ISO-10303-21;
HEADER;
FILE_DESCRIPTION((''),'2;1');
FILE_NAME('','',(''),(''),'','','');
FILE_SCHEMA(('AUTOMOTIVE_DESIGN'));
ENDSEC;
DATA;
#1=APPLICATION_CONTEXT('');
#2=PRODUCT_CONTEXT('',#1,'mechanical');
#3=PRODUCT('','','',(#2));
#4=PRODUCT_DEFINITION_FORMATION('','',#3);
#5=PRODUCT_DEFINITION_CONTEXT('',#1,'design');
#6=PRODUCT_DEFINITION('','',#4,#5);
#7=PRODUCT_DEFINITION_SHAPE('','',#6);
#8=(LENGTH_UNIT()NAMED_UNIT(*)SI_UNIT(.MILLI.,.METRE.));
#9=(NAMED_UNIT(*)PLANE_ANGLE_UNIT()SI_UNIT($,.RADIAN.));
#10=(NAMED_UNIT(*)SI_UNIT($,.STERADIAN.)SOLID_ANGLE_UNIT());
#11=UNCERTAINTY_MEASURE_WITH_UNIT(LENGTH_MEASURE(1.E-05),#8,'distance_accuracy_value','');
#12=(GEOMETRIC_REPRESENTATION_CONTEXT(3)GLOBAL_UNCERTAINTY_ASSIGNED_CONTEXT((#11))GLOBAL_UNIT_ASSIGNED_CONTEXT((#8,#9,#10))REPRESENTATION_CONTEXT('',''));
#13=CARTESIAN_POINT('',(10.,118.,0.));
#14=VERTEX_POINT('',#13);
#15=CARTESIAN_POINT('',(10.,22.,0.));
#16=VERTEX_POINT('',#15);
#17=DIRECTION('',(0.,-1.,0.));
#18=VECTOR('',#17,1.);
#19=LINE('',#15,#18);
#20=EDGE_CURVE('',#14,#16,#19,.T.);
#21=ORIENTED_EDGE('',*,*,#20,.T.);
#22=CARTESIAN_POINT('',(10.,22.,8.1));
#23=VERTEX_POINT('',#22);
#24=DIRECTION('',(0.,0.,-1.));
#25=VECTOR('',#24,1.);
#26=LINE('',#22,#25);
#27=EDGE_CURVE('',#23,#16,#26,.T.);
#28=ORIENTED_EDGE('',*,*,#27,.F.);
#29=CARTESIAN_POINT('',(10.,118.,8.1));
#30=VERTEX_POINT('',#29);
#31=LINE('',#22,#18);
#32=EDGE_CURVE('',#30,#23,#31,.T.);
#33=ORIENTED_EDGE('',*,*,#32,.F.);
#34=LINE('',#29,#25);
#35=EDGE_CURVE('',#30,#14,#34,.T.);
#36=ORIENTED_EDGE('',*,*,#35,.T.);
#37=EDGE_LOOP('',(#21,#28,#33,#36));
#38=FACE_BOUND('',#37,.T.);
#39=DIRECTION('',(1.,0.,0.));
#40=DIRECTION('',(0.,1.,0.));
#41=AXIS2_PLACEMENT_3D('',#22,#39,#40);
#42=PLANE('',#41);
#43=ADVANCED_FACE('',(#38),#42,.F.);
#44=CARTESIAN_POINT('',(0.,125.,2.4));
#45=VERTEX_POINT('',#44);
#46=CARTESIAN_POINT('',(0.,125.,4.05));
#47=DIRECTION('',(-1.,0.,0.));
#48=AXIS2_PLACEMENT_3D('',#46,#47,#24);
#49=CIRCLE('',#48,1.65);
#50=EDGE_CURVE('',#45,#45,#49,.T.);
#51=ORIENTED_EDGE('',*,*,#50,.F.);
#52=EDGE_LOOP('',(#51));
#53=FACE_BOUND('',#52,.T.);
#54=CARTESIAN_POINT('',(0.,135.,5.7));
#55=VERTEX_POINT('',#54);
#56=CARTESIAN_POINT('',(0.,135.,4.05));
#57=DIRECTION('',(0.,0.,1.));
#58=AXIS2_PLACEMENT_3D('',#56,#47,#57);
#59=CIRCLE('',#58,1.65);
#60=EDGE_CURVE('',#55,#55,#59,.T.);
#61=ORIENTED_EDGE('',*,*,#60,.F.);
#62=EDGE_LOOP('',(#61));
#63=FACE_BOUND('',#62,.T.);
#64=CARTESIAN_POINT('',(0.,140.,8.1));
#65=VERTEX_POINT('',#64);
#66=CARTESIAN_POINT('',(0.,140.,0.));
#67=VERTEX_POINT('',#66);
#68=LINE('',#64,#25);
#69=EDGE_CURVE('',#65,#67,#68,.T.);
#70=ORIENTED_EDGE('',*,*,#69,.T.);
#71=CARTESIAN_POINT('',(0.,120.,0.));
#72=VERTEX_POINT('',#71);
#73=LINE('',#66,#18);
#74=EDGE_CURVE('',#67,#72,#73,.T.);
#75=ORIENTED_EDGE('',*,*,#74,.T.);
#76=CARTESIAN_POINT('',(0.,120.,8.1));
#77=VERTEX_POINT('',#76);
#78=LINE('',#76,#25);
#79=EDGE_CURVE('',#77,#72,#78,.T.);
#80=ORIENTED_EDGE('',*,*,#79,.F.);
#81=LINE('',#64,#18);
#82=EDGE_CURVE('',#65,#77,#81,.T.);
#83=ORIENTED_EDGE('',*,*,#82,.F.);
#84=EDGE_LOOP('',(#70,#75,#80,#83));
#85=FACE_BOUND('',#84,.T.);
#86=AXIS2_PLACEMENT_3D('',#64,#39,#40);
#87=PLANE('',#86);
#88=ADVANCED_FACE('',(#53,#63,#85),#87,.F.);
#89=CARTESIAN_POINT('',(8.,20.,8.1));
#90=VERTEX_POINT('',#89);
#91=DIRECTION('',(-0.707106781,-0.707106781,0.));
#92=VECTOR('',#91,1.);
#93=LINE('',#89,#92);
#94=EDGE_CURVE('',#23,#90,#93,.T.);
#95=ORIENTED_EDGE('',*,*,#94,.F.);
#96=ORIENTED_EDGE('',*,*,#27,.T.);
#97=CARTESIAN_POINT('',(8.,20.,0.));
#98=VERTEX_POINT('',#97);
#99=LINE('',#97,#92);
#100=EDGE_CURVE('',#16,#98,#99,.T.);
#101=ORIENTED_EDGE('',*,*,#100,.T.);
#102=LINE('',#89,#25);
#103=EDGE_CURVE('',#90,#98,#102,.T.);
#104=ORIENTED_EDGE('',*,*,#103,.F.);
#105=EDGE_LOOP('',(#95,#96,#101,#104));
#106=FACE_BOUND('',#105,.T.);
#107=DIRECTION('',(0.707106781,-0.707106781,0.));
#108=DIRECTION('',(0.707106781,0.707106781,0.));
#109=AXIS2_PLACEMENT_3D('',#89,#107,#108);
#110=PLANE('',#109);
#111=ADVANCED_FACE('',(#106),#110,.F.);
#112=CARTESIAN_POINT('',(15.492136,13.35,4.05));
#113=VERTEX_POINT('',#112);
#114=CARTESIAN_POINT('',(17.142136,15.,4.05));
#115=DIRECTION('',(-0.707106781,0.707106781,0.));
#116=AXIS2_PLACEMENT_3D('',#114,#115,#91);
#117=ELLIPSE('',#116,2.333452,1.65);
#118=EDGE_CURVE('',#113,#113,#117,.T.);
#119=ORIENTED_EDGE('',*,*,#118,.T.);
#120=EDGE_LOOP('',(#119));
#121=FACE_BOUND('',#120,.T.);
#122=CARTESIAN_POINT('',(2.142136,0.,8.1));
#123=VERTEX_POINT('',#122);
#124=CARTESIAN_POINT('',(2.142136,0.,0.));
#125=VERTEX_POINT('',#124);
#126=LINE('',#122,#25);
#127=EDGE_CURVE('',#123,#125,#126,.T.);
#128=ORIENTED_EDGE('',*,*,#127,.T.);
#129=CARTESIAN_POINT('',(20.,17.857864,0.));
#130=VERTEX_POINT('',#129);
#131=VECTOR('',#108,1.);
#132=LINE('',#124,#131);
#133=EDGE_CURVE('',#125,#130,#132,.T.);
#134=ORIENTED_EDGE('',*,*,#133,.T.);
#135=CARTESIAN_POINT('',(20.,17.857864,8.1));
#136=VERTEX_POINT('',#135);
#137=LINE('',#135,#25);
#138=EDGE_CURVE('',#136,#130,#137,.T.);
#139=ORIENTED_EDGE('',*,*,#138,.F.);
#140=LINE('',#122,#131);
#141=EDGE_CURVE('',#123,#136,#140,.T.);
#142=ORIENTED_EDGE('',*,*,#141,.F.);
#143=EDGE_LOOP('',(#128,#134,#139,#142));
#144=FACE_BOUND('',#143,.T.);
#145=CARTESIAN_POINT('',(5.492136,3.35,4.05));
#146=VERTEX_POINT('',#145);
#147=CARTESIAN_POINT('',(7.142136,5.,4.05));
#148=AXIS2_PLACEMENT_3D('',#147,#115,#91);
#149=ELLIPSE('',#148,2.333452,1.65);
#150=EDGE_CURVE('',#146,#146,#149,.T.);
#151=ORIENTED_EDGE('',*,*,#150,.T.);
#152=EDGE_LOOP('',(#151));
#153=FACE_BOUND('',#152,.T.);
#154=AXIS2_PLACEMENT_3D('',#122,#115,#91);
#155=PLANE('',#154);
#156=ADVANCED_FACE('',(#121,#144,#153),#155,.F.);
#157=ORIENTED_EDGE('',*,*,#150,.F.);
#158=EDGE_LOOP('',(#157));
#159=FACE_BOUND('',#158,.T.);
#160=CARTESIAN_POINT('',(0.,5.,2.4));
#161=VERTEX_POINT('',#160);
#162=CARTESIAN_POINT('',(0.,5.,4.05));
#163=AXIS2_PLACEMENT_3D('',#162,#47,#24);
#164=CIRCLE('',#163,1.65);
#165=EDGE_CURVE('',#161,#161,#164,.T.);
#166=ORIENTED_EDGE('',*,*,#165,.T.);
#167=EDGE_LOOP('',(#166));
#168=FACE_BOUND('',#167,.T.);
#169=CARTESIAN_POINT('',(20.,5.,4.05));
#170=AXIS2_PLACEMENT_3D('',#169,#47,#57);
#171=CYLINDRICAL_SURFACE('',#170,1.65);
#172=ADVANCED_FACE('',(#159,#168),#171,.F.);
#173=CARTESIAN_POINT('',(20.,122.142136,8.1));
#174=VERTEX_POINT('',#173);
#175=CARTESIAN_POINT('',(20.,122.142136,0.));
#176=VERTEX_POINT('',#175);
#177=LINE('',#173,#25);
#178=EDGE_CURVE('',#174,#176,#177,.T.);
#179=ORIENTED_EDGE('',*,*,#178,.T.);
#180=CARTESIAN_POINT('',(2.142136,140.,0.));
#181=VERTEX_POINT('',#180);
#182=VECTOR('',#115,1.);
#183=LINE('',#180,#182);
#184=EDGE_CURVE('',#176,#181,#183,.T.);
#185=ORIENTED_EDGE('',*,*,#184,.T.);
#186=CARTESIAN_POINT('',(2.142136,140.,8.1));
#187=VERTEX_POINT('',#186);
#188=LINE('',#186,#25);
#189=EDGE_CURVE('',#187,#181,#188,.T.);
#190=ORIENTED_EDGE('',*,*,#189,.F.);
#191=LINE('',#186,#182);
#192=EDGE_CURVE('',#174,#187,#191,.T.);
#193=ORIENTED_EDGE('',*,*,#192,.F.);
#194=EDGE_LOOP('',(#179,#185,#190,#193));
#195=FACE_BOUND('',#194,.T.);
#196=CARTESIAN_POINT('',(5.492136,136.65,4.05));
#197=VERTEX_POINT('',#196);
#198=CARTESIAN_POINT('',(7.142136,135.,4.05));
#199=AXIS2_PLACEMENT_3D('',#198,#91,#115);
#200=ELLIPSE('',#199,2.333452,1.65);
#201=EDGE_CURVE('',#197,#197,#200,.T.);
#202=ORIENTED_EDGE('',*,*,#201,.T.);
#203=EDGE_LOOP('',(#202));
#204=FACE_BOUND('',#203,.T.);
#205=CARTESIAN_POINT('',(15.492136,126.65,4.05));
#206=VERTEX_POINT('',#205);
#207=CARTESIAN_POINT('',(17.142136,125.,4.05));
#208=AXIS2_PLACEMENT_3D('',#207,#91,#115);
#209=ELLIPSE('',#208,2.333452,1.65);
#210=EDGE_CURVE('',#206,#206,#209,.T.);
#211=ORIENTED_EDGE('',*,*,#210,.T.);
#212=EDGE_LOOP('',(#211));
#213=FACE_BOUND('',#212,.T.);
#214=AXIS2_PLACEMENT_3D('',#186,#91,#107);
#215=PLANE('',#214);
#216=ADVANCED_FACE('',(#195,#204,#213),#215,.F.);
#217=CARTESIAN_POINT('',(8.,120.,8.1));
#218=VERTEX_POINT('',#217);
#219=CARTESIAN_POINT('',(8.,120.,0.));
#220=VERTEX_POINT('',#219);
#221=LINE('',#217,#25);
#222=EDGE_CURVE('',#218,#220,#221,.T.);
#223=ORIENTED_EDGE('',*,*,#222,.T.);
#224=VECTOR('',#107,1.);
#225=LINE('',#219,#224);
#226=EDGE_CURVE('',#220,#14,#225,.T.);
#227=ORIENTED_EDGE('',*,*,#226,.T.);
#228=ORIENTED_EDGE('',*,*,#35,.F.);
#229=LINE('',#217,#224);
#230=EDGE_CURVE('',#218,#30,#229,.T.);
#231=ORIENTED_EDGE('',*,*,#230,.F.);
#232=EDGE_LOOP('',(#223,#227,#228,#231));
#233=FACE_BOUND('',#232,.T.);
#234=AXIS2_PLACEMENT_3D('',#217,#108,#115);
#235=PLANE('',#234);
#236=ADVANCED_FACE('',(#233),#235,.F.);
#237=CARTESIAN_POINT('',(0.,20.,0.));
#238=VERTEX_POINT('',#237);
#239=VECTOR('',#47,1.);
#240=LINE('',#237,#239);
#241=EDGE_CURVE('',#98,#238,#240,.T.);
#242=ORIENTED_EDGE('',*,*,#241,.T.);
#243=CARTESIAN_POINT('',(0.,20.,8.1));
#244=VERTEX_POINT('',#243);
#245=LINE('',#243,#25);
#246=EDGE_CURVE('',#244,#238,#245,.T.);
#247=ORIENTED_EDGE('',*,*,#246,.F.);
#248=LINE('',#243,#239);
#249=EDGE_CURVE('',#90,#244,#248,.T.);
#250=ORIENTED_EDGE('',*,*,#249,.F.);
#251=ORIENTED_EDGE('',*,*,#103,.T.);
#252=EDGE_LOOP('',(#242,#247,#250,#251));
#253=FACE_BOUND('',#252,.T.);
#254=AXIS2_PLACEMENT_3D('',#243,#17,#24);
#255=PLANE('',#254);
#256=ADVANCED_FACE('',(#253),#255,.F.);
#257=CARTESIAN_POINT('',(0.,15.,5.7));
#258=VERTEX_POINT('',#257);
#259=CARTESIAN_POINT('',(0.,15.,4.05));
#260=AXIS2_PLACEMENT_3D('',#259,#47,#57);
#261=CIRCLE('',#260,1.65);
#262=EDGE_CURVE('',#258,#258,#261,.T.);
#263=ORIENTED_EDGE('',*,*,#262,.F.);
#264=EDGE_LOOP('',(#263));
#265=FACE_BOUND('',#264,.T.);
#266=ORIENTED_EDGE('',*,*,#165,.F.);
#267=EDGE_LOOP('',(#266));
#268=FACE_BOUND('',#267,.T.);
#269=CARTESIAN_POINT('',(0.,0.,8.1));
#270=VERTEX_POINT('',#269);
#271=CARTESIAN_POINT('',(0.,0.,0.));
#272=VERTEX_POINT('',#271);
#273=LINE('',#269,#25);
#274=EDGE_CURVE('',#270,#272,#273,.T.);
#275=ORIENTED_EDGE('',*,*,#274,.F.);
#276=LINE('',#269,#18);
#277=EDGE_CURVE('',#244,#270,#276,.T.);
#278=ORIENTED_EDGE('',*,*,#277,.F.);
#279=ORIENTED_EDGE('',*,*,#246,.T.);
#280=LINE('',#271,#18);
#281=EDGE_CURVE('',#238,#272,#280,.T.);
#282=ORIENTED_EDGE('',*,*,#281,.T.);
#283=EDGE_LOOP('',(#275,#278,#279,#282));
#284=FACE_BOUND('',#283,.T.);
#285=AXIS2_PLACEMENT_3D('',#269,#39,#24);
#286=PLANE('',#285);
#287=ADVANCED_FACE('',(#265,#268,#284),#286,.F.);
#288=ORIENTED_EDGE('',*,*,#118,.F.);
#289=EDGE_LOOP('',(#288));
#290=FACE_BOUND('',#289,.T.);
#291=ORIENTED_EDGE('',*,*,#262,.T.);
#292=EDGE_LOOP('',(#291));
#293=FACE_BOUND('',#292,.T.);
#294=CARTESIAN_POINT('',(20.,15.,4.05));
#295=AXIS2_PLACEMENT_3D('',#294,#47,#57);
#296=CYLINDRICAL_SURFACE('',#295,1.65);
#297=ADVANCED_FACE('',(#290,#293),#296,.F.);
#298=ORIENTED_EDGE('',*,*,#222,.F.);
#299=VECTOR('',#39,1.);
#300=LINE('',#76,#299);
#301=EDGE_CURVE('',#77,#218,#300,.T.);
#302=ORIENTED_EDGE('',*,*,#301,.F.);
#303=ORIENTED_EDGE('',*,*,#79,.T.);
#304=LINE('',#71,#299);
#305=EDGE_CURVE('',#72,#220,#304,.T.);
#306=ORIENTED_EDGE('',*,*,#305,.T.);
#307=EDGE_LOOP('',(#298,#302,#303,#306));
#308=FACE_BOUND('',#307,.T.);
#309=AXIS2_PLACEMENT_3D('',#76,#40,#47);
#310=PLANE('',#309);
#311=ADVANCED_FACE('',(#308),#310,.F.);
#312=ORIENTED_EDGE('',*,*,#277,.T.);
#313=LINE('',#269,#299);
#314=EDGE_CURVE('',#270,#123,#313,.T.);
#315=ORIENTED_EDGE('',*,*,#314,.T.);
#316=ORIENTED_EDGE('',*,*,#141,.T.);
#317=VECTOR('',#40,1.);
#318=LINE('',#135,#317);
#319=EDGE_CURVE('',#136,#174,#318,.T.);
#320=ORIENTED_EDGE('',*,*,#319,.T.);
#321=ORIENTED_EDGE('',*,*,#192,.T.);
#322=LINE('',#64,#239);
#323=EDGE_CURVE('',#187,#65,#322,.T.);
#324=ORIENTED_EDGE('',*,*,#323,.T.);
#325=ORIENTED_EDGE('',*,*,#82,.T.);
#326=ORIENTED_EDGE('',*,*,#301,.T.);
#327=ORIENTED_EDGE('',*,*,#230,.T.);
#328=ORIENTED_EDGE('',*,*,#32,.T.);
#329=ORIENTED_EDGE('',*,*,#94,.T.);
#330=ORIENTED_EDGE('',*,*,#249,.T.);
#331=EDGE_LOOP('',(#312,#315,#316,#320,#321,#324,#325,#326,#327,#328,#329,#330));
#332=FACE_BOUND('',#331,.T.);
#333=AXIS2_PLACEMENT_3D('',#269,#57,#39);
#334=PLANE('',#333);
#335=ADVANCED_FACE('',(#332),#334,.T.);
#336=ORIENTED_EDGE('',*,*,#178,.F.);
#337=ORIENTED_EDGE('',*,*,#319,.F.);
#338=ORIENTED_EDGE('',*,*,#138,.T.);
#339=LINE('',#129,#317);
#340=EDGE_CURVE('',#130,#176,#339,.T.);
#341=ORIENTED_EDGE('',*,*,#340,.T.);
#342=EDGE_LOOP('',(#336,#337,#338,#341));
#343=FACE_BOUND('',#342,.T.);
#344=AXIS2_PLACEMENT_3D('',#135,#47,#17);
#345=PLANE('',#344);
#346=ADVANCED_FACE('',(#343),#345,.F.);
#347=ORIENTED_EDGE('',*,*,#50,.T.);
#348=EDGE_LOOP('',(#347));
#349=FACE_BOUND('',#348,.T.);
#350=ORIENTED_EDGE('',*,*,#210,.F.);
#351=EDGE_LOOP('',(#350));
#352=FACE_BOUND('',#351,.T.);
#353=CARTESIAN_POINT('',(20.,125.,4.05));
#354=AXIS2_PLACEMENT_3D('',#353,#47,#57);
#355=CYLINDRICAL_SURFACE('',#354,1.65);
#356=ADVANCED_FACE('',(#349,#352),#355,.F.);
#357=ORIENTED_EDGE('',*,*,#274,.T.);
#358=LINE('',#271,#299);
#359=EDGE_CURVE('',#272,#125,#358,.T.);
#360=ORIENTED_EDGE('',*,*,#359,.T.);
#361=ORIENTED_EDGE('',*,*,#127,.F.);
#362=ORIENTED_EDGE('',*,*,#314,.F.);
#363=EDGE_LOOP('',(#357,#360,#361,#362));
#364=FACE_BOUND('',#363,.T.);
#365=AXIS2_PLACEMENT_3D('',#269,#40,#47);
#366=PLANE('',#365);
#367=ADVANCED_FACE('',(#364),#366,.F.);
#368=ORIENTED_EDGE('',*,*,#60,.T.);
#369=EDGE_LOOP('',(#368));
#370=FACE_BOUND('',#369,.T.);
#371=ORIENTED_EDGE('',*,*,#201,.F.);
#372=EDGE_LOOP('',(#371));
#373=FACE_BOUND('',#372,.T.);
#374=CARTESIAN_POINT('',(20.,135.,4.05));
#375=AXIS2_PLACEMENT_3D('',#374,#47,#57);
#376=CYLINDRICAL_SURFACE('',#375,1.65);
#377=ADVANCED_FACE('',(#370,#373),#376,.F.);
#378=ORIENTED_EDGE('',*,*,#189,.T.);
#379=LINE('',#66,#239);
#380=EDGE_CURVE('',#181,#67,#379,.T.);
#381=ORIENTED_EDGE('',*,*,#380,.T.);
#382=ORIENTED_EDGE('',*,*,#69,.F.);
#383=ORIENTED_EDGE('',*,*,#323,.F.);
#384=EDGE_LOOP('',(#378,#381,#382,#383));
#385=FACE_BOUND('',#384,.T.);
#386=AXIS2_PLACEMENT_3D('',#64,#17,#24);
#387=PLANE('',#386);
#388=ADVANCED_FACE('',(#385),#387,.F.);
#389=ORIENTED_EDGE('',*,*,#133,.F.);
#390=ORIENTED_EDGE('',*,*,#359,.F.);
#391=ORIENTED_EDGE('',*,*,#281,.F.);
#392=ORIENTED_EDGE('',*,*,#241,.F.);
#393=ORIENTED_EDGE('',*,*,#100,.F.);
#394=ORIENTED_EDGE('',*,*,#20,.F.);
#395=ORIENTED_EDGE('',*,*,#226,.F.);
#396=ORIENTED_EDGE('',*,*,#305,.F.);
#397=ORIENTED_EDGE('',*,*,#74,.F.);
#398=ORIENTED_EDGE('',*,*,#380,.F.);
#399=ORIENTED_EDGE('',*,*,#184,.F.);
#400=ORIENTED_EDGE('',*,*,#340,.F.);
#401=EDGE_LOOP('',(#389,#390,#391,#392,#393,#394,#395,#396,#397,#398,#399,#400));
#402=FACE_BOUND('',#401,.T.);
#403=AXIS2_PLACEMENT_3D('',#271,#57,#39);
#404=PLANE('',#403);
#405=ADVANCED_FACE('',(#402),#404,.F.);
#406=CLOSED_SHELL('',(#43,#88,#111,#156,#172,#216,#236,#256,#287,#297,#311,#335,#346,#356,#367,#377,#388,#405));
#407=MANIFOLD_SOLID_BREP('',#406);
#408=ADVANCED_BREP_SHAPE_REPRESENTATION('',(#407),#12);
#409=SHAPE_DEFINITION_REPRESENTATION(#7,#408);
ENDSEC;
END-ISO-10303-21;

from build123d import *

# Parameters (mm, degrees)
BOSS_EXTRU_1_DEPTH      = 8.1
ESQUISSE2_R             = 1.65
ENL_V_MAT_EXTRU_1_DEPTH = 142.653132687


with BuildPart() as part:
    # Esquisse1 → Boss.-Extru.1 (new body)
    with BuildSketch(Plane.XY):
        Polygon((0, 0), (0, 20), (8, 20), (10, 22), (10, 118), (8, 120), (0, 120), (0, 140), (2.142135624, 140), (20, 122.142135624), (20, 17.857864376), (2.142135624, 0), align=None)
    extrude(amount=BOSS_EXTRU_1_DEPTH)

    # Esquisse2 → Enlèv. mat.-Extru.1 (cut, through all)
    with BuildSketch(Plane.ZY):
        with Locations((4.05, 15)):
            Circle(ESQUISSE2_R)
        with Locations(Location((4.05, 5, 0), (0, 0, 270))):
            Circle(ESQUISSE2_R)
        with Locations((4.05, 135)):
            Circle(ESQUISSE2_R)
        with Locations(Location((4.05, 125, 0), (0, 0, 90))):
            Circle(ESQUISSE2_R)
    extrude(amount=-ENL_V_MAT_EXTRU_1_DEPTH, mode=Mode.SUBTRACT)


solid = part.part
